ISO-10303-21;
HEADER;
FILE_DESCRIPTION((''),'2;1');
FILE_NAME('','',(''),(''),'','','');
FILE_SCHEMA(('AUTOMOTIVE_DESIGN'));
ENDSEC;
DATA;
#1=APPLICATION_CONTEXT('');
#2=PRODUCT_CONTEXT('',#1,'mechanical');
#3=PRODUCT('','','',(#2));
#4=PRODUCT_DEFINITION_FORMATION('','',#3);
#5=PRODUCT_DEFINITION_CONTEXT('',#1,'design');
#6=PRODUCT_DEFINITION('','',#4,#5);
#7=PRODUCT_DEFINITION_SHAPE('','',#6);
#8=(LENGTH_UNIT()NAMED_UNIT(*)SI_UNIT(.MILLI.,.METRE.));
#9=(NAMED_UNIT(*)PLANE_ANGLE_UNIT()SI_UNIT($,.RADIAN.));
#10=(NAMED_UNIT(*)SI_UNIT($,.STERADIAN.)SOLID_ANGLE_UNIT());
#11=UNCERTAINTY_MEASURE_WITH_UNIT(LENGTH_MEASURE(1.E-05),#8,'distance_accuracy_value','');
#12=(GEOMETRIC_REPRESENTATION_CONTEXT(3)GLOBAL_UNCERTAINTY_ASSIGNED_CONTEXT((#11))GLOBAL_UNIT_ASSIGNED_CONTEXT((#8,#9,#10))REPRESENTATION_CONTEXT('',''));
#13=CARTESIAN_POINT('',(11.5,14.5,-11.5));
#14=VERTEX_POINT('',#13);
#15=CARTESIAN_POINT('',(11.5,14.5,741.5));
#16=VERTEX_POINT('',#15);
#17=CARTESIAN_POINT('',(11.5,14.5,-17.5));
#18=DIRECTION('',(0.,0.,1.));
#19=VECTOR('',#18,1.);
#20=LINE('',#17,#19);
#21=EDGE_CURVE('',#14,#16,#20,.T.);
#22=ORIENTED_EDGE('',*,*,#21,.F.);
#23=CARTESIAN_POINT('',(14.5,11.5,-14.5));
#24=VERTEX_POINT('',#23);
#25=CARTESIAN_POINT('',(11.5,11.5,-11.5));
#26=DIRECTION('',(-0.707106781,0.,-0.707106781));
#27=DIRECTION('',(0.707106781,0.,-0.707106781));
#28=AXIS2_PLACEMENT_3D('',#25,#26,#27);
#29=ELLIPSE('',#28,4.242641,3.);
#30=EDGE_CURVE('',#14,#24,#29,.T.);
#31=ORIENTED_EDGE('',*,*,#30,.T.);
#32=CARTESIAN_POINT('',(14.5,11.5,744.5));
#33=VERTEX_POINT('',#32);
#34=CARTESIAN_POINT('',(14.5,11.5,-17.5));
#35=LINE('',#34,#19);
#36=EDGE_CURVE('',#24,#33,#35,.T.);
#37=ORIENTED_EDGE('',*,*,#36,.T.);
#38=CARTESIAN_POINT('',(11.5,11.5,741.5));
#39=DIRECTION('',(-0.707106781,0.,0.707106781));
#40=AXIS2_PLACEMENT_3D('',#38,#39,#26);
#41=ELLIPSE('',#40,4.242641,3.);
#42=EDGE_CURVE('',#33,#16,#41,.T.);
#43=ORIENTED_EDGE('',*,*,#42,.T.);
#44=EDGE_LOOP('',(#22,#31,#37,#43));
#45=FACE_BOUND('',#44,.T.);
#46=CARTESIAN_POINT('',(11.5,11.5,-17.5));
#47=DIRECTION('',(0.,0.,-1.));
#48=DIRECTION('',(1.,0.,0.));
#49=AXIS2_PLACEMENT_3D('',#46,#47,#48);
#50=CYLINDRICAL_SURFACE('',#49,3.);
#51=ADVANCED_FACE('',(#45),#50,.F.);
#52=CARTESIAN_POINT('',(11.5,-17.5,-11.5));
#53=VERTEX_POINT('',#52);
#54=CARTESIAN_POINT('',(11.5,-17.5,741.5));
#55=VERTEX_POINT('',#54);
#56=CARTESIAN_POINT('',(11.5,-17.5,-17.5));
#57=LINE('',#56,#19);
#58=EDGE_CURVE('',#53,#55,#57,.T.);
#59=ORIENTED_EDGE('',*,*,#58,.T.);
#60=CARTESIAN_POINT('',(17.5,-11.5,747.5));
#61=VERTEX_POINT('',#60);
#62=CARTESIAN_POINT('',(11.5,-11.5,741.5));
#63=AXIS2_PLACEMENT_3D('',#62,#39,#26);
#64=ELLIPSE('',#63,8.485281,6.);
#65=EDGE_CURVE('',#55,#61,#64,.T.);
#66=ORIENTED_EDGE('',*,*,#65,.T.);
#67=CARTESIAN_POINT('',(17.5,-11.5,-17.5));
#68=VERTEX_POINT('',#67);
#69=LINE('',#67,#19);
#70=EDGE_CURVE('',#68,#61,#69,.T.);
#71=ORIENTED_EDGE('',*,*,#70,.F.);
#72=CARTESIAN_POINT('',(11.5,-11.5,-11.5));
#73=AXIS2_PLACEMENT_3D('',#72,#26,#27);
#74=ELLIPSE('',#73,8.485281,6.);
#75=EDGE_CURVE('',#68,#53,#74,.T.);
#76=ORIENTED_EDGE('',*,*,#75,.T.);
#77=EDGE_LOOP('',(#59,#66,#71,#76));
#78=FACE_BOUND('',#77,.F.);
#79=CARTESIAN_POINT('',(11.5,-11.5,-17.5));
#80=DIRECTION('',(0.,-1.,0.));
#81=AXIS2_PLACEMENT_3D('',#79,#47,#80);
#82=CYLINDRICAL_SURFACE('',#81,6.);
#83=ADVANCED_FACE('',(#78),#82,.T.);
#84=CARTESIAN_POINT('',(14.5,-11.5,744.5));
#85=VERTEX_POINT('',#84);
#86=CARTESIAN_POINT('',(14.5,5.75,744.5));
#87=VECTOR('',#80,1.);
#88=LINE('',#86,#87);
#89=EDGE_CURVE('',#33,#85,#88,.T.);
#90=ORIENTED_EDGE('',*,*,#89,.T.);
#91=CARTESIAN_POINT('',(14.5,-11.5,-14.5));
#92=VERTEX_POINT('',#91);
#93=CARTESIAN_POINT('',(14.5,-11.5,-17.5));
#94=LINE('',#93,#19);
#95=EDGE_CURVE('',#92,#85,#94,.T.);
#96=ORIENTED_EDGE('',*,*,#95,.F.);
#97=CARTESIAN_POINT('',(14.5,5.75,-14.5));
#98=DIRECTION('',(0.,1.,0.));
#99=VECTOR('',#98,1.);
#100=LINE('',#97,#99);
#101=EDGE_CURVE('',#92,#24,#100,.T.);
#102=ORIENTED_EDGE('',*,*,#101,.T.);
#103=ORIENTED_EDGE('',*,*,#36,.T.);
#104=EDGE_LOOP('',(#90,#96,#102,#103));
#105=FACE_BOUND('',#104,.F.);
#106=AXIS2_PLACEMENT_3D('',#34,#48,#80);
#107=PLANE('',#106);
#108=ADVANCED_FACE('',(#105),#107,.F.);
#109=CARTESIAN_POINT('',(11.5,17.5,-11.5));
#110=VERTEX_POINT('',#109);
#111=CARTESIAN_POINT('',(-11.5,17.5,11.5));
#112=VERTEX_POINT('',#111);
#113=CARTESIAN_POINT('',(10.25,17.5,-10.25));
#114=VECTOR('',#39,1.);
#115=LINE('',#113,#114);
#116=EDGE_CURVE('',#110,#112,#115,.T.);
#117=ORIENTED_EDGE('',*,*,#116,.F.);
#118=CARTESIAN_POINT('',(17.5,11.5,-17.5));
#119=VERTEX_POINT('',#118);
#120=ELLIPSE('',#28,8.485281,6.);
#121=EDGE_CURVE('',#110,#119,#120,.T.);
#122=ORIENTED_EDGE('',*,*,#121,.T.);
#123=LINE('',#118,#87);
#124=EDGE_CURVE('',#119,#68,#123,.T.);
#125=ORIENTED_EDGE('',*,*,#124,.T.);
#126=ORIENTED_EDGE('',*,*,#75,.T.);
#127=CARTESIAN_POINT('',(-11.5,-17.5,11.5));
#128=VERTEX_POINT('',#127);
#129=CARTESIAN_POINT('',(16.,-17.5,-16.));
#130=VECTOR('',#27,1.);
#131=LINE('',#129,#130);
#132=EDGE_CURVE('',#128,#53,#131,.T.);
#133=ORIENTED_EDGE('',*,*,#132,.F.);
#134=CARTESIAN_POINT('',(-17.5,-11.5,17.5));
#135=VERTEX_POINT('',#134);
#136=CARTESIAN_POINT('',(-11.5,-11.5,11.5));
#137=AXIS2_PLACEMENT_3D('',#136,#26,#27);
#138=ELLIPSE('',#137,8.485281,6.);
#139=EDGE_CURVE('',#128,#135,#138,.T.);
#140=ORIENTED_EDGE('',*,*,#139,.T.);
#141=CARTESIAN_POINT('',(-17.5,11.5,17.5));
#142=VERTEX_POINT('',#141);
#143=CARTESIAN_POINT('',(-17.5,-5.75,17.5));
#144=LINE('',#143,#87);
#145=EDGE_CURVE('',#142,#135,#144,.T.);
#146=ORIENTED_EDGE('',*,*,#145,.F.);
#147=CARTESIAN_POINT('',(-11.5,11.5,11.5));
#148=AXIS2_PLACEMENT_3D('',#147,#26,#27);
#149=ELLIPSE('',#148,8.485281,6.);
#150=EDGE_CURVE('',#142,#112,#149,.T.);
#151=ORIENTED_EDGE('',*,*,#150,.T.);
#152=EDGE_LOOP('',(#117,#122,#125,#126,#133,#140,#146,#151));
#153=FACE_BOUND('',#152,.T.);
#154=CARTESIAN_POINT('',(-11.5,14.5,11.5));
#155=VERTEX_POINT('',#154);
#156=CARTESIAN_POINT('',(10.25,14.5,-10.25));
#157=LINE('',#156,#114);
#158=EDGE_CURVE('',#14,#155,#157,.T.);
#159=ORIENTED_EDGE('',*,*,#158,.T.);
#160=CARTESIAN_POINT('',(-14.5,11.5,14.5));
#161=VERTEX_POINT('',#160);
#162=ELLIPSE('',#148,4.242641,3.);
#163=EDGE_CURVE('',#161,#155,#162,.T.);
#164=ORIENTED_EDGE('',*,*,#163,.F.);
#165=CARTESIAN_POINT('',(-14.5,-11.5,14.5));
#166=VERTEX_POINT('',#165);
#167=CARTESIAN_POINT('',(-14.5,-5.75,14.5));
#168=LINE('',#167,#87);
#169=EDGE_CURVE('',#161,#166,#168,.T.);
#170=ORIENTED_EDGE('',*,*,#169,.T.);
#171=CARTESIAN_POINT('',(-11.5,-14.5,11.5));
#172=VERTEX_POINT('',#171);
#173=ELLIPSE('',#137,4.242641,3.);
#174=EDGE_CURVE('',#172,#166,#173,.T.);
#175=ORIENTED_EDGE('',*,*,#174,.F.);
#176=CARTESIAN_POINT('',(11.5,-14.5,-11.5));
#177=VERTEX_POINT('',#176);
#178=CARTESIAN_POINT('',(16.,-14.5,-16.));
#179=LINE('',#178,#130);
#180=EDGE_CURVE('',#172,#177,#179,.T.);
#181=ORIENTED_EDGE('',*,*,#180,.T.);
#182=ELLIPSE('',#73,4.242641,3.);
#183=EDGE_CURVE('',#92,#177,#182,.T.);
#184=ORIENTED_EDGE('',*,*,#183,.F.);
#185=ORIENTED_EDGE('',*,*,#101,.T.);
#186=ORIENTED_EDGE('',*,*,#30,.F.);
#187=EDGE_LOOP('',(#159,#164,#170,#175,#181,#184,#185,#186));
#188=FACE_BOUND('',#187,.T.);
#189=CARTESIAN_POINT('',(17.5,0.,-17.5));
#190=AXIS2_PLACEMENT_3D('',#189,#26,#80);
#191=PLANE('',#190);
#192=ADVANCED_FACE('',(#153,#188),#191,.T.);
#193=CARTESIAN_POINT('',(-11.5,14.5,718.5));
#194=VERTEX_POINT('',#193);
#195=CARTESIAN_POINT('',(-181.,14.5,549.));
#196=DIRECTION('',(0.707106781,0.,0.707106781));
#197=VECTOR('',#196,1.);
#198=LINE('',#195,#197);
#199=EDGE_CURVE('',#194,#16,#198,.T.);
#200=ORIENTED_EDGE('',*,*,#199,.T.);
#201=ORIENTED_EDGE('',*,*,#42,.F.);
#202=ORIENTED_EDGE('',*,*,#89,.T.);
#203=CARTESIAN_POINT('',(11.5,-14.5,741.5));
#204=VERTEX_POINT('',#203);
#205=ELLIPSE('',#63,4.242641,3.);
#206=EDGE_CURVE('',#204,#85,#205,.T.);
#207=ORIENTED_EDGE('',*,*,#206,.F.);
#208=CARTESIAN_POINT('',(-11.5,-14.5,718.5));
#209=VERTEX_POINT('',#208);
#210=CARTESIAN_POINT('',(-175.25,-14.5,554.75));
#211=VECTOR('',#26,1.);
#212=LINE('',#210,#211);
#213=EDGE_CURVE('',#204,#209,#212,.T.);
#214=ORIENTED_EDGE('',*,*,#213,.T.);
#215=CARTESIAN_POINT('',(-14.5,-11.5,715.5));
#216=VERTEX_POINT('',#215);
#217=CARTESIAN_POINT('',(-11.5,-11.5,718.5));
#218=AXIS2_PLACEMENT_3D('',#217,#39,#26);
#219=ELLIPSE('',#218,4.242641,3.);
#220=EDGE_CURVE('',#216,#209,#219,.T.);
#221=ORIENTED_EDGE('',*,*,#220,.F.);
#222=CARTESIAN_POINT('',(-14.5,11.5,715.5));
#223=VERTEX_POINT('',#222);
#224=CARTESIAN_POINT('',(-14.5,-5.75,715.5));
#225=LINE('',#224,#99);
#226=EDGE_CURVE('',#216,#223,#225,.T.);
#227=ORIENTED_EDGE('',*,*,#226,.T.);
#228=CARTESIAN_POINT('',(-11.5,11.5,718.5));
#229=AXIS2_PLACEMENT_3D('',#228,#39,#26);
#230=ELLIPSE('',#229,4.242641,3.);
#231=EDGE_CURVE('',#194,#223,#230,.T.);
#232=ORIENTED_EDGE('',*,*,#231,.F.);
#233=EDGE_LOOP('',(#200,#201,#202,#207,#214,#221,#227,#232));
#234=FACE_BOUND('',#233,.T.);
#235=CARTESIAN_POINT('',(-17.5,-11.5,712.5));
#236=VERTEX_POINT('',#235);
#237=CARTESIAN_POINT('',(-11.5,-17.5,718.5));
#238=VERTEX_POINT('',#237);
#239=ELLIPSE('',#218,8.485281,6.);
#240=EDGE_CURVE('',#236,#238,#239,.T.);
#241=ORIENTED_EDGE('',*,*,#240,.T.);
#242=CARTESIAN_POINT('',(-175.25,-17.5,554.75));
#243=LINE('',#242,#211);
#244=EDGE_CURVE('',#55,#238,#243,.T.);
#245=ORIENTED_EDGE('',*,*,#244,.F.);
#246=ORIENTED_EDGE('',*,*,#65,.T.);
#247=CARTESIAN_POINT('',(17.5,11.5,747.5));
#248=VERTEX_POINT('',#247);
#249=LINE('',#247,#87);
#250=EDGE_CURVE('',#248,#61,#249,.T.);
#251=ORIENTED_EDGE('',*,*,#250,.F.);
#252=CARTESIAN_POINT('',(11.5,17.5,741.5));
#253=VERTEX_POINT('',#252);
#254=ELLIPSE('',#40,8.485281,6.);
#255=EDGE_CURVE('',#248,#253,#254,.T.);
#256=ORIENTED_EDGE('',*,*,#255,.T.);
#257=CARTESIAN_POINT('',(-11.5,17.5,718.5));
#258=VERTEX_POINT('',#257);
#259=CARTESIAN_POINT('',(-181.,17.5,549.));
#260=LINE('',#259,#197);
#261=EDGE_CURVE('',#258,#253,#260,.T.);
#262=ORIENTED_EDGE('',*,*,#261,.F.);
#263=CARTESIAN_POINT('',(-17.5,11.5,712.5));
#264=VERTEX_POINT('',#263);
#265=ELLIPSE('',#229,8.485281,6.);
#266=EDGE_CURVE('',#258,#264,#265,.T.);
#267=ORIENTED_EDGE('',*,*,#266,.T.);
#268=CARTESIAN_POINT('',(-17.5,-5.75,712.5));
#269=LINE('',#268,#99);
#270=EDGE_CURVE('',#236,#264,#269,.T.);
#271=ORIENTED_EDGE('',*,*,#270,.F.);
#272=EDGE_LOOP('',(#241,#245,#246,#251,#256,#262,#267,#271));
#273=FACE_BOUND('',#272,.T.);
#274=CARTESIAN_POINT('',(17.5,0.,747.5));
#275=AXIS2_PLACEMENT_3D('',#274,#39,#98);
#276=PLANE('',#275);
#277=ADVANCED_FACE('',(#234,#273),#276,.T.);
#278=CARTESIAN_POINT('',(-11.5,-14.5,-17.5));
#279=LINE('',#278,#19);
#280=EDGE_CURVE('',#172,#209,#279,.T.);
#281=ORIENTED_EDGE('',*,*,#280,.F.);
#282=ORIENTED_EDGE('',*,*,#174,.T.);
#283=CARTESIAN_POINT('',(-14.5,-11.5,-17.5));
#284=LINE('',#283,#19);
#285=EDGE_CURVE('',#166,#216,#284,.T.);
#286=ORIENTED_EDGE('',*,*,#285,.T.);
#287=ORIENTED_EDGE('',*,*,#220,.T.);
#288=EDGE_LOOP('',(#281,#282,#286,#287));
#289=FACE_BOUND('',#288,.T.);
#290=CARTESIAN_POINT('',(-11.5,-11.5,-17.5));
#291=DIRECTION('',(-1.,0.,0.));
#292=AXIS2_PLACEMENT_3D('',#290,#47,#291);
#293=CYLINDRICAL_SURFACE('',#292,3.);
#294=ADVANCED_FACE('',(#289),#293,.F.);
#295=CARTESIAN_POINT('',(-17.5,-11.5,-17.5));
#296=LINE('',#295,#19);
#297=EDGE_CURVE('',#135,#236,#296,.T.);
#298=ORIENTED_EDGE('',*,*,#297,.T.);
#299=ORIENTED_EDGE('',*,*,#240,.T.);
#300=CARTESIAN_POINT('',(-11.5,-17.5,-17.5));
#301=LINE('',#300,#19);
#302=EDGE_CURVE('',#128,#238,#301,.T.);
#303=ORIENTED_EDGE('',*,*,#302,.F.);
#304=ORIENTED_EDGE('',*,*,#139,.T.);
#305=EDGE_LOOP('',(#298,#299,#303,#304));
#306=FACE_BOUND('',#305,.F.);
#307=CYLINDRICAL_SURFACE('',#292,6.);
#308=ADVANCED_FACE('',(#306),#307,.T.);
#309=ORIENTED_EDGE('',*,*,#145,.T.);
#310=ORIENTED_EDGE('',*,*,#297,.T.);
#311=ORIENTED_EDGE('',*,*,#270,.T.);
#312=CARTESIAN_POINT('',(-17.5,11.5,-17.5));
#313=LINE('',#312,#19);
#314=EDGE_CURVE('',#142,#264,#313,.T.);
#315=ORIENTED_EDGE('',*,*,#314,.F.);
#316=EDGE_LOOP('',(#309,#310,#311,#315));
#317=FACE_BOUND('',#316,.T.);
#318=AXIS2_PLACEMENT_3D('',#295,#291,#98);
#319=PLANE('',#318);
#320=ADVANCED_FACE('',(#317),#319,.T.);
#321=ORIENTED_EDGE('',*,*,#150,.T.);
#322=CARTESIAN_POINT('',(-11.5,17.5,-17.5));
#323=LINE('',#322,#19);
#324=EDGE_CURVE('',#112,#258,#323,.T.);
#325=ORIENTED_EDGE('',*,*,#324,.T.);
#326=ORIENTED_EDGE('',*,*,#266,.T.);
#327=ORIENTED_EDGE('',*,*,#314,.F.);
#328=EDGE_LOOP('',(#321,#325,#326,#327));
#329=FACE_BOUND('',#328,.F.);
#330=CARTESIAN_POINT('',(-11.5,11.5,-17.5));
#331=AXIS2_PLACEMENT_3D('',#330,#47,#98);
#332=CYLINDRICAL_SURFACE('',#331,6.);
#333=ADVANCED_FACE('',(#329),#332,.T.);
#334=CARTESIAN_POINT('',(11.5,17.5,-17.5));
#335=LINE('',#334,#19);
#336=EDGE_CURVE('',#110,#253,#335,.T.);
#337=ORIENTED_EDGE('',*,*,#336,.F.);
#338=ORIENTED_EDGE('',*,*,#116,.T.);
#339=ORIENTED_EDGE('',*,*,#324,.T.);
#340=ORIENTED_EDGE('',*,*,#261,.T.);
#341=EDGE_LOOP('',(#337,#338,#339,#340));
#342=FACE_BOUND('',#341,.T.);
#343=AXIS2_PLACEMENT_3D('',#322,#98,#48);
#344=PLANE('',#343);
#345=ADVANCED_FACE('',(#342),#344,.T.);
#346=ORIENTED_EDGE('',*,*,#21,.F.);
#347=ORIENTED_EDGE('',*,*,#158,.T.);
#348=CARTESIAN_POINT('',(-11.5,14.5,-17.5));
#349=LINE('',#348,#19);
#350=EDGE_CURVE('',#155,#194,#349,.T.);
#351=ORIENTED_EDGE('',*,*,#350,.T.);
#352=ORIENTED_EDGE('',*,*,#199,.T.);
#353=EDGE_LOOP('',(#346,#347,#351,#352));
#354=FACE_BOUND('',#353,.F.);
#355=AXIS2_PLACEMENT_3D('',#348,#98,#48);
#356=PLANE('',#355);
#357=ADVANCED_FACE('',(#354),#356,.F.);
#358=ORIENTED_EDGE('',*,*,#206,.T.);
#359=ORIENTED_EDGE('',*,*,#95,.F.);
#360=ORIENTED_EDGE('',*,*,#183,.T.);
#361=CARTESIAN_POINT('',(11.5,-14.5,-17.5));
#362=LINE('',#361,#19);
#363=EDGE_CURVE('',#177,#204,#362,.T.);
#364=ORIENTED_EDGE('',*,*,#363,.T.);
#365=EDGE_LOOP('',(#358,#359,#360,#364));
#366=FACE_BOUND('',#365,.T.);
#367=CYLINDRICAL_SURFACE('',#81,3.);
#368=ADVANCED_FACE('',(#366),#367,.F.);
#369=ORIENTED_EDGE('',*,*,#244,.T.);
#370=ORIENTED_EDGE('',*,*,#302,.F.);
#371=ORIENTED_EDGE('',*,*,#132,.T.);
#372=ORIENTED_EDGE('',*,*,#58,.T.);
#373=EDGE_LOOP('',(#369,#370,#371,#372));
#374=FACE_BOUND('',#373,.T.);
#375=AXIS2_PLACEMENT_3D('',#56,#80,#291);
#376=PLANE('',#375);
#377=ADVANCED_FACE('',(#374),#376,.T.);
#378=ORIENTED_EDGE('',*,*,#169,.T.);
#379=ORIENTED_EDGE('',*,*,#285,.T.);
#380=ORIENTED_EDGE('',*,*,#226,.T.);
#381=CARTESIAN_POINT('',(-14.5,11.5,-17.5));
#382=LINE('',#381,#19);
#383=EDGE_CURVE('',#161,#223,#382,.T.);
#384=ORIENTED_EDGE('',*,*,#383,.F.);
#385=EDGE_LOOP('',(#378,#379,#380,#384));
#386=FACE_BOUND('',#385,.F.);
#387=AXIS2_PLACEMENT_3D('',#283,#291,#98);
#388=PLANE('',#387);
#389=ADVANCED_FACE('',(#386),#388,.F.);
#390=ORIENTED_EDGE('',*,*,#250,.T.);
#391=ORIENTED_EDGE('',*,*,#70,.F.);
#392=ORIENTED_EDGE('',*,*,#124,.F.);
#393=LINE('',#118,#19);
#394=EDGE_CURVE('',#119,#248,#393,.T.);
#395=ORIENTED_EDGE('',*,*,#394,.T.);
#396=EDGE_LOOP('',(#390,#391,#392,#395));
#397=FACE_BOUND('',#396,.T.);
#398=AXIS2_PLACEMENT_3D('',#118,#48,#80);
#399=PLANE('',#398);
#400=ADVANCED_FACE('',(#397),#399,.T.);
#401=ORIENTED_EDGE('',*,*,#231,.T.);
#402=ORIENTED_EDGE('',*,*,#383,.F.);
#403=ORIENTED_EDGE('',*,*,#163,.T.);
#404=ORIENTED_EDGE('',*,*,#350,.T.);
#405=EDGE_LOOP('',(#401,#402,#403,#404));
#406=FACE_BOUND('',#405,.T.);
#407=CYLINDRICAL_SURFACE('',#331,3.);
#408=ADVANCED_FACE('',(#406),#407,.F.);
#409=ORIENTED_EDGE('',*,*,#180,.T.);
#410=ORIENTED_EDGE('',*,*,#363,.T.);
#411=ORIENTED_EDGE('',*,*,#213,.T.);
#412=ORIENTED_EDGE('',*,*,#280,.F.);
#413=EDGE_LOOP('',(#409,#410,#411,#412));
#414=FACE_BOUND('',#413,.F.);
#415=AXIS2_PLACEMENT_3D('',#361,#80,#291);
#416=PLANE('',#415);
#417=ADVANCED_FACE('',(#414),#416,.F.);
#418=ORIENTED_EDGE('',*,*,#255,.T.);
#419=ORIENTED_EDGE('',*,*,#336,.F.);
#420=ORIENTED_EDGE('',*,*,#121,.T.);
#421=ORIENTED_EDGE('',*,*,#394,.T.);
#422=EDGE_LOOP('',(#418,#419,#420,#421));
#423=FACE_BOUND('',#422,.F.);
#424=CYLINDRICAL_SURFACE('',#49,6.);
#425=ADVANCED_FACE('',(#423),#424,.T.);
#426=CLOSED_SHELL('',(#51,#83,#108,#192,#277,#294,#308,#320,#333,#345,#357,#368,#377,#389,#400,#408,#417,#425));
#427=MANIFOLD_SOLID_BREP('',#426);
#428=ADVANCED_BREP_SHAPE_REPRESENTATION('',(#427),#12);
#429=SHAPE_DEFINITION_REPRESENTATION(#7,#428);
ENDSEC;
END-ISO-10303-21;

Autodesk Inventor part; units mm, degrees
ref_plane "Start plane" through (0, 0, -17.5) normal (0, 0, 1) x (1, 0, 0)
ref_plane "End plane" through (0, 0, 747.5) normal (0, 0, 1) x (1, 0, 0)
sketch "Sketch" plane through (0, 0, 0) normal (0, 0, 1) x (1, 0, 0)
  line L0 (-17.5, -11.5) -> (-17.5, 11.5)
  line L1 (-11.5, 17.5) -> (11.5, 17.5)
  line L2 (17.5, 11.5) -> (17.5, -11.5)
  line L3 (11.5, -17.5) -> (-11.5, -17.5)
  arc A0 (-17.5, -11.5) -> (-11.5, -17.5) centre (-11.5, -11.5) ccw
  arc A1 (-11.5, 17.5) -> (-17.5, 11.5) centre (-11.5, 11.5) ccw
  arc A2 (17.5, 11.5) -> (11.5, 17.5) centre (11.5, 11.5) ccw
  arc A3 (11.5, -17.5) -> (17.5, -11.5) centre (11.5, -11.5) ccw
  arc A4 (-11.5, 14.5) -> (-14.5, 11.5) centre (-11.5, 11.5) ccw
  line L4 (-11.5, 14.5) -> (11.5, 14.5)
  arc A5 (14.5, 11.5) -> (11.5, 14.5) centre (11.5, 11.5) ccw
  line L5 (14.5, 11.5) -> (14.5, -11.5)
  arc A6 (11.5, -14.5) -> (14.5, -11.5) centre (11.5, -11.5) ccw
  line L6 (11.5, -14.5) -> (-11.5, -14.5)
  arc A7 (-14.5, -11.5) -> (-11.5, -14.5) centre (-11.5, -11.5) ccw
  line L7 (-14.5, -11.5) -> (-14.5, 11.5)
  line L8 (0, 25.4278) -> (0, -25.4278) construction
  line L9 (-25.4278, 0) -> (25.4278, 0) construction
  dimension "d7" = 6
  dimension "d10" = 35
  dimension "d11" = 35
  dimension "d12" = 3
  dimension "d15" = 17.5
  dimension "d16" = 17.5
extrude "Body" add sketch "Sketch" along normal up to surface (765 mm away) from surface at -17.5
sketch "Sketch3" plane through (0, 0, 0) normal (0, 0, 1) x (1, 0, 0)
  line L0 (0, 0) -> (10, 0)
ref_plane "Work Plane3" through (0, 0, 0) normal (0, -1, 0) x (1, 0, 0)
sketch "Sketch4" plane through (0, 0, 0) normal (0, -1, 0) x (1, 0, 0)
  line L0 (-2, -17.5) -> (12, -17.5)
  line L1 (-2, 747.5) -> (12, 747.5)
  dimension "d18" = 765
ref_plane "Work Plane5" through (0, 0, 747.5) normal (0, 0, 1) x (1, 0, 0)
split "Split2" plane through (0, 0, 747.5) removes the side toward (0, 0, 1)
ref_plane "Work Plane6" through (17.5, 0, 747.5) normal (-0.7071, 0, 0.7071) x (0.7071, 0, 0.7071)
split "Split3" plane through (17.5, 0, 747.5) removes the side toward (-0.7071, 0, 0.7071)
ref_plane "Work Plane9" through (17.5, 0, -17.5) normal (-0.7071, 0, -0.7071) x (-0.7071, 0, 0.7071)
split "Split6" plane through (17.5, 0, -17.5) removes the side toward (-0.7071, 0, -0.7071)
equation "\"d7\" = G_IR"
equation "\"d10\" = G_H"
equation "\"d11\" = G_W"
equation "\"d12\" = G_T"
equation "\"d15\" = 0.5 * d10"
equation "\"d16\" = 0.5 * d11"
equation "\"d3\" = G_L"
equation "\"G_W\" = 35"
equation "\"G_H\" = 35"
equation "\"G_T\" = 3"
equation "\"G_IR\" = 6"
equation "\"G_L\" = d18"
equation "\"G_OFFSET_START\" = 17.5"
equation "\"G_OFFSET_END\" = 17.5"
equation "\"d13\" = -G_OFFSET_START"
equation "\"d14\" = G_OFFSET_END + B_L"
equation "\"B_L\" = 730"
properties part number "AS 1163 - C350L0 35x35x3.0 SHS - 765" material "Steel, Mild"
